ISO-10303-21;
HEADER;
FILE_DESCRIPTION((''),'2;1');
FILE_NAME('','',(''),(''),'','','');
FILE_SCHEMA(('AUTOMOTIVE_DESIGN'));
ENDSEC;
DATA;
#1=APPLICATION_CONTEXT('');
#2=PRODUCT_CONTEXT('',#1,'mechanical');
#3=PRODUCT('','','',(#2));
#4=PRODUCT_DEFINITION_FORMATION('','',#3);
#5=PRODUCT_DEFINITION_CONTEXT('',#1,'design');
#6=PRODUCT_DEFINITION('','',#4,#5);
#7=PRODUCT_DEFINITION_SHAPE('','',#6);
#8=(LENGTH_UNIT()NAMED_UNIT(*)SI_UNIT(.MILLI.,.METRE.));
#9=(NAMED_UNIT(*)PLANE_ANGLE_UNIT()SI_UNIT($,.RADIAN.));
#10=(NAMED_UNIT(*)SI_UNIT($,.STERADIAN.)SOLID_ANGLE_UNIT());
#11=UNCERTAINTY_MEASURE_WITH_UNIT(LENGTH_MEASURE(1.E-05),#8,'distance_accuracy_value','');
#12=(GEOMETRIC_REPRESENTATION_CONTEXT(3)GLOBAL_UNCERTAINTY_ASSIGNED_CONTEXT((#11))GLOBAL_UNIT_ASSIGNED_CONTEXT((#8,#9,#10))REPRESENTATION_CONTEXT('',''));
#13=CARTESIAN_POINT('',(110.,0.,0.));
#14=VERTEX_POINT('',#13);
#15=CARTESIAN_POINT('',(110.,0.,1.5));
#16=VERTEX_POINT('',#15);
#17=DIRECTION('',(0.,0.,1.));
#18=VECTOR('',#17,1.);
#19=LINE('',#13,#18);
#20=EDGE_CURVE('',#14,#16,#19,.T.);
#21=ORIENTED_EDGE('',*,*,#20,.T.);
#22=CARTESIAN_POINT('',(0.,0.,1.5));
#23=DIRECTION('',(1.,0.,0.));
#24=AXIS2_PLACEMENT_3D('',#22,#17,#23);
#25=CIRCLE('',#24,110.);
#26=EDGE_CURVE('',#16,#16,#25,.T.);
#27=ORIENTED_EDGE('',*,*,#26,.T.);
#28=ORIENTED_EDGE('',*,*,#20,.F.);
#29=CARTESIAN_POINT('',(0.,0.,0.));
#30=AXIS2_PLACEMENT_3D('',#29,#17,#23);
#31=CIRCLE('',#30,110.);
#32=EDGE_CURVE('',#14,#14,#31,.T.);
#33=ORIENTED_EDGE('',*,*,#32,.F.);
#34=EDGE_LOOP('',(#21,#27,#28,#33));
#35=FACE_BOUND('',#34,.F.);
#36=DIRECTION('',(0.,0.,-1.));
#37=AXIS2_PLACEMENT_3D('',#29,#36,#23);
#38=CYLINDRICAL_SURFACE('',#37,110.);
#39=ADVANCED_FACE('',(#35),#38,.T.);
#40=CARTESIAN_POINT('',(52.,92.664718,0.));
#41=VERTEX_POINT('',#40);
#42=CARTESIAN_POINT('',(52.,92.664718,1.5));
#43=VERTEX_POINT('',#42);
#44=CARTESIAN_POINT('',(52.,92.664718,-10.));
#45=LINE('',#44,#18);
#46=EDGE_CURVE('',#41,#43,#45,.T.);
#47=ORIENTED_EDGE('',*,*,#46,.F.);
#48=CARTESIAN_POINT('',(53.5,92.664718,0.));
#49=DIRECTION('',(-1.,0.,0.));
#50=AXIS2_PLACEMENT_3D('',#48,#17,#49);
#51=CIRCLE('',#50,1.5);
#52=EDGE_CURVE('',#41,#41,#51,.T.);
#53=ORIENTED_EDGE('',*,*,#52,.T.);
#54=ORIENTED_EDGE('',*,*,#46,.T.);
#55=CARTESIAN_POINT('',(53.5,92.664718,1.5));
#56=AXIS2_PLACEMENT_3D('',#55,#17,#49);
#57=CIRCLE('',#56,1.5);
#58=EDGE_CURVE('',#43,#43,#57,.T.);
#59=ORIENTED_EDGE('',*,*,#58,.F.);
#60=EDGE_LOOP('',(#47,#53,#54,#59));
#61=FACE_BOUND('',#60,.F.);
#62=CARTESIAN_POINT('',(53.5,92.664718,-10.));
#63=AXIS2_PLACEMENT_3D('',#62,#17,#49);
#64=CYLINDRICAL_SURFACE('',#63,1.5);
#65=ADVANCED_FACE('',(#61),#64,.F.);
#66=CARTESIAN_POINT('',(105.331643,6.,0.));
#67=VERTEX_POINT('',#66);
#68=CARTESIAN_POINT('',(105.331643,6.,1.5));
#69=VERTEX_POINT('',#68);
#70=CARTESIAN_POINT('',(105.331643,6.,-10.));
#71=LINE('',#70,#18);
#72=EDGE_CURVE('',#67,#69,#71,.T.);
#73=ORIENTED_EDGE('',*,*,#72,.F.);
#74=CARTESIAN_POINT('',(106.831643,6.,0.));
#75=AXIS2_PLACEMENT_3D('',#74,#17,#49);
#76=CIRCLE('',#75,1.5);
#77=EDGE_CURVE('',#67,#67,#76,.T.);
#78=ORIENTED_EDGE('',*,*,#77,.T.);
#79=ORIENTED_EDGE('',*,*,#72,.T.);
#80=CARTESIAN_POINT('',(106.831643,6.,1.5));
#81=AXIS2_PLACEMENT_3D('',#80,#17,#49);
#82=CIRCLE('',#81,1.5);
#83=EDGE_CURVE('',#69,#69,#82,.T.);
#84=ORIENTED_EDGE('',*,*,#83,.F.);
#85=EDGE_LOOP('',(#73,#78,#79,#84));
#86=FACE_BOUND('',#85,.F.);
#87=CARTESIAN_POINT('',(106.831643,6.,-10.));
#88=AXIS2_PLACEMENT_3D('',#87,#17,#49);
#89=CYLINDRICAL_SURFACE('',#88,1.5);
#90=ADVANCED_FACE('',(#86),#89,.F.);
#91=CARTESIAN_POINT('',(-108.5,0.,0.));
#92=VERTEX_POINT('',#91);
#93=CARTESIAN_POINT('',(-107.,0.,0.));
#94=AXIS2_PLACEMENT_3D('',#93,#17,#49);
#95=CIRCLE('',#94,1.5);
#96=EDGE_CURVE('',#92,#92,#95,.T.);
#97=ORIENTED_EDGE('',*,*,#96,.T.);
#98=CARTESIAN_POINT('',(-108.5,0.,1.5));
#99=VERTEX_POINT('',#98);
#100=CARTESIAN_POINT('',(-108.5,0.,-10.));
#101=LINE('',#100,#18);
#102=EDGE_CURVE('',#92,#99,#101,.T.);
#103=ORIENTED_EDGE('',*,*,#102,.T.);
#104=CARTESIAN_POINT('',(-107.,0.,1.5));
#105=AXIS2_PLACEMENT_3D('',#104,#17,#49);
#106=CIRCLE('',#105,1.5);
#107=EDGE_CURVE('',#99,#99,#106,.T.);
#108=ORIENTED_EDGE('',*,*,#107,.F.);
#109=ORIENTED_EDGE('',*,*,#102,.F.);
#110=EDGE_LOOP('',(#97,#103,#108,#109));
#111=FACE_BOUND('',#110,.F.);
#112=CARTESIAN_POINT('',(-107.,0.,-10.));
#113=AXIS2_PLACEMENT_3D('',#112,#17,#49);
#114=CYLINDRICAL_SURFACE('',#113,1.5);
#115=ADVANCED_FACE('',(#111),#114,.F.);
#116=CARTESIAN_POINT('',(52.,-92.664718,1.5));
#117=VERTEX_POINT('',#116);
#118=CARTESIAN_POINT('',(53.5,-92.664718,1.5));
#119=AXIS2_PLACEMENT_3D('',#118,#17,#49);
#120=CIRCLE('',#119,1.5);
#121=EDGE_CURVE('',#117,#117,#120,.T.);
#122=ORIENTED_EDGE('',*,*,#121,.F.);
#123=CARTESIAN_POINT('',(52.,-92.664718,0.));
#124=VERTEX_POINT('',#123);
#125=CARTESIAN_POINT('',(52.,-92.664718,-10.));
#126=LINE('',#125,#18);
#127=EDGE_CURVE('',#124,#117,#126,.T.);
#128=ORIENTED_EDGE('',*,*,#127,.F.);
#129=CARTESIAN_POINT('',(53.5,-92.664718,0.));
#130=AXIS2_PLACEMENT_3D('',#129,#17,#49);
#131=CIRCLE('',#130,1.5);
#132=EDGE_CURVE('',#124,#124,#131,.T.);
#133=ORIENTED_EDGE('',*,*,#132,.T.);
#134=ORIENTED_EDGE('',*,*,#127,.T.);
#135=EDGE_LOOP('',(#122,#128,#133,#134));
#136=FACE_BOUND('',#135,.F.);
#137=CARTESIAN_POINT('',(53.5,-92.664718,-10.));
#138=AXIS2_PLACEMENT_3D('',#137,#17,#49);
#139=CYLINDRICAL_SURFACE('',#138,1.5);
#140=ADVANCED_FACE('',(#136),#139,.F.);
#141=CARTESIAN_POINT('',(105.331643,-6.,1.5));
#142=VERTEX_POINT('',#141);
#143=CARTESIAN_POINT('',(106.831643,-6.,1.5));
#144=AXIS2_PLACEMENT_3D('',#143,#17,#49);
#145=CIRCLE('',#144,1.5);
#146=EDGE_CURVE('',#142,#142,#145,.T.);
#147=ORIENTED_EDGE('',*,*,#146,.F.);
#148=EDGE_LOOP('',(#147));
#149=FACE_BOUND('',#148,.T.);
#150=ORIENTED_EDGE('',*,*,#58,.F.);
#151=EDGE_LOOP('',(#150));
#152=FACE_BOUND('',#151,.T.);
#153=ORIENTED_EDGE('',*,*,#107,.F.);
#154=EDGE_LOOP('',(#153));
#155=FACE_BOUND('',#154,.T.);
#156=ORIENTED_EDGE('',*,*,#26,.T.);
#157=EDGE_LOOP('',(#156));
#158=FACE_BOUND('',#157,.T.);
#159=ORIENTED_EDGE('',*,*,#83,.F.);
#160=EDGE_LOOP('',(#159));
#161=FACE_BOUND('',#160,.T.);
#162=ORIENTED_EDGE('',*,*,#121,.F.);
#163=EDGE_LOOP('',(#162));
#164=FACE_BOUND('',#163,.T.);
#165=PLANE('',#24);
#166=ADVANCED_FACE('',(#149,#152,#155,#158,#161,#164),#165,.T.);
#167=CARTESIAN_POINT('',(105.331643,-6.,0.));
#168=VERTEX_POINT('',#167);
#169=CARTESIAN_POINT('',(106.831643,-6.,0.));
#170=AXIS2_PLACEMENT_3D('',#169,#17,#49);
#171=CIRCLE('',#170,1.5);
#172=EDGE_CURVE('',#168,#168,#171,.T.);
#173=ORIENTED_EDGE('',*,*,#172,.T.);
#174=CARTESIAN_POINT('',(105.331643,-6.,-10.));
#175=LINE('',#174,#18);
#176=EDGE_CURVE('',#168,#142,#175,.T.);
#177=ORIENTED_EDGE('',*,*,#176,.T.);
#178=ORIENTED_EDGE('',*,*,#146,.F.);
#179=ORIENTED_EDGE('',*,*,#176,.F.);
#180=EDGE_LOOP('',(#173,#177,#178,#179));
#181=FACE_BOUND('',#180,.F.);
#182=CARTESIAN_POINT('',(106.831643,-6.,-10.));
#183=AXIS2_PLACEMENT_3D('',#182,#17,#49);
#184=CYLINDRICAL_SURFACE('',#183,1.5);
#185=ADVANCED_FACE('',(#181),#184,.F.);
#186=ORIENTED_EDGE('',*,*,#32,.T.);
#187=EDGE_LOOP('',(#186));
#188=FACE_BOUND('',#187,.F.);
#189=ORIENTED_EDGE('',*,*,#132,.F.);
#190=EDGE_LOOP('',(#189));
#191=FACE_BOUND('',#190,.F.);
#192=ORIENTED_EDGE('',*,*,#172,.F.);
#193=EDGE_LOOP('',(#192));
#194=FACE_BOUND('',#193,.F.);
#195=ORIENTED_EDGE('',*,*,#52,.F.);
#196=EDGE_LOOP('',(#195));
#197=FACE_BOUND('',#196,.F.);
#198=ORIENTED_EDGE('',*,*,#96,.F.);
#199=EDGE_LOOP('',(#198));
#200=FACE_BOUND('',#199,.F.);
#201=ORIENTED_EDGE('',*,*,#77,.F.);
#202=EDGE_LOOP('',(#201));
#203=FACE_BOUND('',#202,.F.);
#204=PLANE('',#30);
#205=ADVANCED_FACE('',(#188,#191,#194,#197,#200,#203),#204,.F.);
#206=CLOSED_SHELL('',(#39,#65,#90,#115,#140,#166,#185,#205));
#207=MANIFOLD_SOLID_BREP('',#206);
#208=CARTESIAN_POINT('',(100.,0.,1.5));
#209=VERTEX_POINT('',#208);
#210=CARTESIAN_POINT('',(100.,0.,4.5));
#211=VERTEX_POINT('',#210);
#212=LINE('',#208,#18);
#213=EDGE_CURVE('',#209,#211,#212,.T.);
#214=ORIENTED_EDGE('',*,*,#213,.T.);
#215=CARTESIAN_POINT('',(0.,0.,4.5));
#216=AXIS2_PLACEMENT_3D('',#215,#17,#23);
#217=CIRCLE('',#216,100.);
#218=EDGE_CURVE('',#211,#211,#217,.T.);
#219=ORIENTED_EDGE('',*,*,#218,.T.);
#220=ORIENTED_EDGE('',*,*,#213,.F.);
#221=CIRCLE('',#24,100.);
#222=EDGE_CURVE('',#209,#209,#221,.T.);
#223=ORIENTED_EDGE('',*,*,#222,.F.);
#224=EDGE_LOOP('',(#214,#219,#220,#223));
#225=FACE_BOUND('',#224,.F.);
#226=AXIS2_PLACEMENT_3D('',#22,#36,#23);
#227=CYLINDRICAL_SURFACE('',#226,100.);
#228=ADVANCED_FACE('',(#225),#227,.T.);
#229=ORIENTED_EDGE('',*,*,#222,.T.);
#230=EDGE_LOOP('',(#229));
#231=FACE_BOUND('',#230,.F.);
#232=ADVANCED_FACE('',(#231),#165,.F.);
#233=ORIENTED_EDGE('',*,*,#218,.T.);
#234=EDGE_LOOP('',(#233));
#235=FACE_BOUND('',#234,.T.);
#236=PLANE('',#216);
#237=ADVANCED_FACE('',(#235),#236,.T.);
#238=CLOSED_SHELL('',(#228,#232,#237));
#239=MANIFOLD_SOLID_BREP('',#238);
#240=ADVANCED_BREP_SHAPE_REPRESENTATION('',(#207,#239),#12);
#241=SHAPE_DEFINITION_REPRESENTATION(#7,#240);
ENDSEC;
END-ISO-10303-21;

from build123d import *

# Parameters (mm, degrees)
F0_R     = 110
F1_DEPTH = 1.5
F2_D     = 3
F2_DEPTH = 10
F3_R     = 100
F4_DEPTH = 3


with BuildPart() as f1:
    # F0 (on Top) → F1 (new body)
    with BuildSketch(Plane.XY):
        Circle(F0_R)
    extrude(amount=F1_DEPTH)

    # F2
    with Locations(Plane(origin=(0, 0, 0), x_dir=(1, 0, 0), z_dir=(0, 0, -1))):
        with Locations((-107, 0), (53.5, 92.664718), (53.5, -92.664718), (106.831643, 6), (106.831643, -6)):
            Hole(F2_D / 2, depth=F2_DEPTH)


with BuildPart() as f4:
    # F3 (on face) → F4 (new body)
    with BuildSketch(Plane.XY.offset(1.5)):
        Circle(F3_R)
    extrude(amount=F4_DEPTH)


solid = Compound([f1.part, f4.part])
